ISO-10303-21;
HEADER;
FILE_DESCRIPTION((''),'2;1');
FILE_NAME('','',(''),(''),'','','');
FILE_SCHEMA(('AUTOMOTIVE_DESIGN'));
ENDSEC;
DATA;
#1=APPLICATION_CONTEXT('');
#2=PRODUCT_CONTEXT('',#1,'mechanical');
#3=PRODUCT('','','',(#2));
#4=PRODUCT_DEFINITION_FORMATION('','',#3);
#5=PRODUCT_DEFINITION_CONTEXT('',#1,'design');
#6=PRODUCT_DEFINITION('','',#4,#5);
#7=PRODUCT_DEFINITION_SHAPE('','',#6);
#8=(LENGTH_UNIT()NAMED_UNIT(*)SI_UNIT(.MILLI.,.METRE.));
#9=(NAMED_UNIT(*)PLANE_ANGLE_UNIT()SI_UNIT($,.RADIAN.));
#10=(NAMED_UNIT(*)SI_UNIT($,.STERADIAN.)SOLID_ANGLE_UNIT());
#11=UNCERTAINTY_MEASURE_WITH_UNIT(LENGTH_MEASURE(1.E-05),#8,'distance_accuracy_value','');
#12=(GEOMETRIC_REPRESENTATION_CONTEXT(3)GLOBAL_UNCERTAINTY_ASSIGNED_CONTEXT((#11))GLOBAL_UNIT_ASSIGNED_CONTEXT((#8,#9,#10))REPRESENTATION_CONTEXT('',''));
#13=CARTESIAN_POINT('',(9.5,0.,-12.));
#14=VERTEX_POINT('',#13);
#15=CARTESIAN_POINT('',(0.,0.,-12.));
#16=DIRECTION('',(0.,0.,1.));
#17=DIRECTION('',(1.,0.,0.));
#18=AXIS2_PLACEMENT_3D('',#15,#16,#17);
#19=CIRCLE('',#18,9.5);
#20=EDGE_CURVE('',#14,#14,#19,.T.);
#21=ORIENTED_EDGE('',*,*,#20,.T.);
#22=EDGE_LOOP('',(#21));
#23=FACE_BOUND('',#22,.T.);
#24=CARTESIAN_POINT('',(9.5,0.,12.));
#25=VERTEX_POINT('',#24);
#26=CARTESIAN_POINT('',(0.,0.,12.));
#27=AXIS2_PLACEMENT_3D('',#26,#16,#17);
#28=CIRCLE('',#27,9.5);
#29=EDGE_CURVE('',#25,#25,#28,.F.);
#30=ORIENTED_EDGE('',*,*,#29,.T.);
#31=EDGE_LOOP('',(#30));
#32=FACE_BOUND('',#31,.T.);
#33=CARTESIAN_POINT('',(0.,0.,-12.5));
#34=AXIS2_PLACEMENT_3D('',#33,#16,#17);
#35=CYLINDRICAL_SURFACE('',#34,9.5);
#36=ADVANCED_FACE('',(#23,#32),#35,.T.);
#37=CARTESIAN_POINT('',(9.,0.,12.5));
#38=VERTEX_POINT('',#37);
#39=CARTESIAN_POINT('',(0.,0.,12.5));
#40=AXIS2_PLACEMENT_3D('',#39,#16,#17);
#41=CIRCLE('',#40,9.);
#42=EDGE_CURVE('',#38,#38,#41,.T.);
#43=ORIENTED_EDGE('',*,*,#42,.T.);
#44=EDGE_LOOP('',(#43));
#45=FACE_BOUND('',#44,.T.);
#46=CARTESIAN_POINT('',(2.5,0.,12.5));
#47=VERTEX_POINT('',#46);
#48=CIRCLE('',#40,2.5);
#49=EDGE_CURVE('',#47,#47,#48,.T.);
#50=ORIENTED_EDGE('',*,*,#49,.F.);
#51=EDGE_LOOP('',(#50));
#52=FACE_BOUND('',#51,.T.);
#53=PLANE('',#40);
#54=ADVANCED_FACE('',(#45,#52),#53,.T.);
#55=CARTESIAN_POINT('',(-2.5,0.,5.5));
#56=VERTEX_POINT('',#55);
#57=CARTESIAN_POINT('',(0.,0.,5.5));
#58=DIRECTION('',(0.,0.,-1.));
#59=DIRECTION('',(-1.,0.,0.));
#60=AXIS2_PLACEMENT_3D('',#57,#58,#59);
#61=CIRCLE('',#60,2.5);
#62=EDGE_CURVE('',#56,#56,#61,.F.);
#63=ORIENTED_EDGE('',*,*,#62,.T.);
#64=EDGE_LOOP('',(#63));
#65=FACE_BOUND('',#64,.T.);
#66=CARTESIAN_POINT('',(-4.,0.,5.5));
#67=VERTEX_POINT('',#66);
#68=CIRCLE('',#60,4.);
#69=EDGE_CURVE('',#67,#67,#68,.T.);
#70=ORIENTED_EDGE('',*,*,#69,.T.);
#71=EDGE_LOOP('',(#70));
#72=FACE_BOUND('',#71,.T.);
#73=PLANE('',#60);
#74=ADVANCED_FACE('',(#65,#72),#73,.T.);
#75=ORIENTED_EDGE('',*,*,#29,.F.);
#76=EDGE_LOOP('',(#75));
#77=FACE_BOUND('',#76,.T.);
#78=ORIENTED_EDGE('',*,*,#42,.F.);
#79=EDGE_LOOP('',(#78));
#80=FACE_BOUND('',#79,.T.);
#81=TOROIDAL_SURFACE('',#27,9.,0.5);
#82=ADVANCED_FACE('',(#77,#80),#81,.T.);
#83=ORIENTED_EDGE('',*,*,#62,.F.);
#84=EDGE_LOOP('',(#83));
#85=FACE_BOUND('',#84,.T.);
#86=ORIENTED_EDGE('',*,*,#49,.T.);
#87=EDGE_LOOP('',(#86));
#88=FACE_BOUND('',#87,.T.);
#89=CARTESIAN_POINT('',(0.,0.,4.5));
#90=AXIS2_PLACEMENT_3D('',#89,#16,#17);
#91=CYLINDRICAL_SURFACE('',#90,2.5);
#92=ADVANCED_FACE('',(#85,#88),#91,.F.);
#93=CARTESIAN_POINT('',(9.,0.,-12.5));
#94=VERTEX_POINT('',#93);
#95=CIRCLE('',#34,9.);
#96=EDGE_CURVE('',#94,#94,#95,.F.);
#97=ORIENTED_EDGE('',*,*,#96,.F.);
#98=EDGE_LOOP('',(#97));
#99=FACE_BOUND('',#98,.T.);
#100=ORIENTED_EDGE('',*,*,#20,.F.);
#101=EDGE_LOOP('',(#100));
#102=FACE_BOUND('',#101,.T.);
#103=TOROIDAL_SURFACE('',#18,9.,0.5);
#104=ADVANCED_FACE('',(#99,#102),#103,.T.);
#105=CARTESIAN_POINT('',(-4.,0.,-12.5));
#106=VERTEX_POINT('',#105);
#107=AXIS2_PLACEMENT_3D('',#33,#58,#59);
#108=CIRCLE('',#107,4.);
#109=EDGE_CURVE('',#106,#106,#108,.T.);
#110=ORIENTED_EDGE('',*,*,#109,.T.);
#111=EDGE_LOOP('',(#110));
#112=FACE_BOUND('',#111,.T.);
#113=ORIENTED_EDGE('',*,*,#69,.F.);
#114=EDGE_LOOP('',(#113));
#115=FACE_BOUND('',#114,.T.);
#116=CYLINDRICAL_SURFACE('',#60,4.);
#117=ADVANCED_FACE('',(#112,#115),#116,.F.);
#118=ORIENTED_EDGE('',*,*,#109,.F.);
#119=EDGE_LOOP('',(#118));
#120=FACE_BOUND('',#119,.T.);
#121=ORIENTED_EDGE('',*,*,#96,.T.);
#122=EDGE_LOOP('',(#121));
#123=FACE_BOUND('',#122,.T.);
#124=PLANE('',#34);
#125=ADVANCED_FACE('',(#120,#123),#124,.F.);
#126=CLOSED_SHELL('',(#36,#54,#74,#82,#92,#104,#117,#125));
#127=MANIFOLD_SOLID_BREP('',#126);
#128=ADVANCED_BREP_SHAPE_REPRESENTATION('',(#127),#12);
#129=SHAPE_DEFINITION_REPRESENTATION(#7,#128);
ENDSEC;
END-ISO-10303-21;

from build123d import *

# Parameters (mm, degrees)
EXTRUDE_1_DEPTH      = 12.5
EXTRUDE_1_DEPTH_BACK = 12.5
SKETCH_1_R           = 9.5
SKETCH_2_R           = 2.5
CUT_EXTRUDE_1_DEPTH  = 8
SKETCH_3_R           = 4
CUT_EXTRUDE_2_DEPTH  = 18
FILLET_1_R           = 0.5
FILLET_2_R           = 0.5


with BuildPart() as part:
    # 草图1 → 凸台-拉伸1 (new, two sides: drawn at the far end of the back side and taken through both)
    with BuildSketch(Plane.XY.offset(-EXTRUDE_1_DEPTH_BACK)):
        Circle(SKETCH_1_R)
    extrude(amount=EXTRUDE_1_DEPTH + EXTRUDE_1_DEPTH_BACK)

    # 草图2 → 切除-拉伸1 (cut)
    with BuildSketch(Plane.XY.offset(12.5)):
        Circle(SKETCH_2_R)
    extrude(amount=-CUT_EXTRUDE_1_DEPTH, mode=Mode.SUBTRACT)

    # 草图3 → 切除-拉伸2 (cut)
    with BuildSketch(Plane(origin=(0, 0, -12.5), x_dir=(-1, 0, 0), z_dir=(0, 0, -1))):
        Circle(SKETCH_3_R)
    extrude(amount=-CUT_EXTRUDE_2_DEPTH, mode=Mode.SUBTRACT)

    # 圆角1
    fillet_1_edges = [part.edges().sort_by_distance(p)[0] for p in [
        (-9.5, 0, -12.5),
    ]]
    fillet(fillet_1_edges, radius=FILLET_1_R)

    # 圆角2
    fillet_2_edges = [part.edges().sort_by_distance(p)[0] for p in [
        (-9.5, 0, 12.5),
    ]]
    fillet(fillet_2_edges, radius=FILLET_2_R)


solid = part.part
